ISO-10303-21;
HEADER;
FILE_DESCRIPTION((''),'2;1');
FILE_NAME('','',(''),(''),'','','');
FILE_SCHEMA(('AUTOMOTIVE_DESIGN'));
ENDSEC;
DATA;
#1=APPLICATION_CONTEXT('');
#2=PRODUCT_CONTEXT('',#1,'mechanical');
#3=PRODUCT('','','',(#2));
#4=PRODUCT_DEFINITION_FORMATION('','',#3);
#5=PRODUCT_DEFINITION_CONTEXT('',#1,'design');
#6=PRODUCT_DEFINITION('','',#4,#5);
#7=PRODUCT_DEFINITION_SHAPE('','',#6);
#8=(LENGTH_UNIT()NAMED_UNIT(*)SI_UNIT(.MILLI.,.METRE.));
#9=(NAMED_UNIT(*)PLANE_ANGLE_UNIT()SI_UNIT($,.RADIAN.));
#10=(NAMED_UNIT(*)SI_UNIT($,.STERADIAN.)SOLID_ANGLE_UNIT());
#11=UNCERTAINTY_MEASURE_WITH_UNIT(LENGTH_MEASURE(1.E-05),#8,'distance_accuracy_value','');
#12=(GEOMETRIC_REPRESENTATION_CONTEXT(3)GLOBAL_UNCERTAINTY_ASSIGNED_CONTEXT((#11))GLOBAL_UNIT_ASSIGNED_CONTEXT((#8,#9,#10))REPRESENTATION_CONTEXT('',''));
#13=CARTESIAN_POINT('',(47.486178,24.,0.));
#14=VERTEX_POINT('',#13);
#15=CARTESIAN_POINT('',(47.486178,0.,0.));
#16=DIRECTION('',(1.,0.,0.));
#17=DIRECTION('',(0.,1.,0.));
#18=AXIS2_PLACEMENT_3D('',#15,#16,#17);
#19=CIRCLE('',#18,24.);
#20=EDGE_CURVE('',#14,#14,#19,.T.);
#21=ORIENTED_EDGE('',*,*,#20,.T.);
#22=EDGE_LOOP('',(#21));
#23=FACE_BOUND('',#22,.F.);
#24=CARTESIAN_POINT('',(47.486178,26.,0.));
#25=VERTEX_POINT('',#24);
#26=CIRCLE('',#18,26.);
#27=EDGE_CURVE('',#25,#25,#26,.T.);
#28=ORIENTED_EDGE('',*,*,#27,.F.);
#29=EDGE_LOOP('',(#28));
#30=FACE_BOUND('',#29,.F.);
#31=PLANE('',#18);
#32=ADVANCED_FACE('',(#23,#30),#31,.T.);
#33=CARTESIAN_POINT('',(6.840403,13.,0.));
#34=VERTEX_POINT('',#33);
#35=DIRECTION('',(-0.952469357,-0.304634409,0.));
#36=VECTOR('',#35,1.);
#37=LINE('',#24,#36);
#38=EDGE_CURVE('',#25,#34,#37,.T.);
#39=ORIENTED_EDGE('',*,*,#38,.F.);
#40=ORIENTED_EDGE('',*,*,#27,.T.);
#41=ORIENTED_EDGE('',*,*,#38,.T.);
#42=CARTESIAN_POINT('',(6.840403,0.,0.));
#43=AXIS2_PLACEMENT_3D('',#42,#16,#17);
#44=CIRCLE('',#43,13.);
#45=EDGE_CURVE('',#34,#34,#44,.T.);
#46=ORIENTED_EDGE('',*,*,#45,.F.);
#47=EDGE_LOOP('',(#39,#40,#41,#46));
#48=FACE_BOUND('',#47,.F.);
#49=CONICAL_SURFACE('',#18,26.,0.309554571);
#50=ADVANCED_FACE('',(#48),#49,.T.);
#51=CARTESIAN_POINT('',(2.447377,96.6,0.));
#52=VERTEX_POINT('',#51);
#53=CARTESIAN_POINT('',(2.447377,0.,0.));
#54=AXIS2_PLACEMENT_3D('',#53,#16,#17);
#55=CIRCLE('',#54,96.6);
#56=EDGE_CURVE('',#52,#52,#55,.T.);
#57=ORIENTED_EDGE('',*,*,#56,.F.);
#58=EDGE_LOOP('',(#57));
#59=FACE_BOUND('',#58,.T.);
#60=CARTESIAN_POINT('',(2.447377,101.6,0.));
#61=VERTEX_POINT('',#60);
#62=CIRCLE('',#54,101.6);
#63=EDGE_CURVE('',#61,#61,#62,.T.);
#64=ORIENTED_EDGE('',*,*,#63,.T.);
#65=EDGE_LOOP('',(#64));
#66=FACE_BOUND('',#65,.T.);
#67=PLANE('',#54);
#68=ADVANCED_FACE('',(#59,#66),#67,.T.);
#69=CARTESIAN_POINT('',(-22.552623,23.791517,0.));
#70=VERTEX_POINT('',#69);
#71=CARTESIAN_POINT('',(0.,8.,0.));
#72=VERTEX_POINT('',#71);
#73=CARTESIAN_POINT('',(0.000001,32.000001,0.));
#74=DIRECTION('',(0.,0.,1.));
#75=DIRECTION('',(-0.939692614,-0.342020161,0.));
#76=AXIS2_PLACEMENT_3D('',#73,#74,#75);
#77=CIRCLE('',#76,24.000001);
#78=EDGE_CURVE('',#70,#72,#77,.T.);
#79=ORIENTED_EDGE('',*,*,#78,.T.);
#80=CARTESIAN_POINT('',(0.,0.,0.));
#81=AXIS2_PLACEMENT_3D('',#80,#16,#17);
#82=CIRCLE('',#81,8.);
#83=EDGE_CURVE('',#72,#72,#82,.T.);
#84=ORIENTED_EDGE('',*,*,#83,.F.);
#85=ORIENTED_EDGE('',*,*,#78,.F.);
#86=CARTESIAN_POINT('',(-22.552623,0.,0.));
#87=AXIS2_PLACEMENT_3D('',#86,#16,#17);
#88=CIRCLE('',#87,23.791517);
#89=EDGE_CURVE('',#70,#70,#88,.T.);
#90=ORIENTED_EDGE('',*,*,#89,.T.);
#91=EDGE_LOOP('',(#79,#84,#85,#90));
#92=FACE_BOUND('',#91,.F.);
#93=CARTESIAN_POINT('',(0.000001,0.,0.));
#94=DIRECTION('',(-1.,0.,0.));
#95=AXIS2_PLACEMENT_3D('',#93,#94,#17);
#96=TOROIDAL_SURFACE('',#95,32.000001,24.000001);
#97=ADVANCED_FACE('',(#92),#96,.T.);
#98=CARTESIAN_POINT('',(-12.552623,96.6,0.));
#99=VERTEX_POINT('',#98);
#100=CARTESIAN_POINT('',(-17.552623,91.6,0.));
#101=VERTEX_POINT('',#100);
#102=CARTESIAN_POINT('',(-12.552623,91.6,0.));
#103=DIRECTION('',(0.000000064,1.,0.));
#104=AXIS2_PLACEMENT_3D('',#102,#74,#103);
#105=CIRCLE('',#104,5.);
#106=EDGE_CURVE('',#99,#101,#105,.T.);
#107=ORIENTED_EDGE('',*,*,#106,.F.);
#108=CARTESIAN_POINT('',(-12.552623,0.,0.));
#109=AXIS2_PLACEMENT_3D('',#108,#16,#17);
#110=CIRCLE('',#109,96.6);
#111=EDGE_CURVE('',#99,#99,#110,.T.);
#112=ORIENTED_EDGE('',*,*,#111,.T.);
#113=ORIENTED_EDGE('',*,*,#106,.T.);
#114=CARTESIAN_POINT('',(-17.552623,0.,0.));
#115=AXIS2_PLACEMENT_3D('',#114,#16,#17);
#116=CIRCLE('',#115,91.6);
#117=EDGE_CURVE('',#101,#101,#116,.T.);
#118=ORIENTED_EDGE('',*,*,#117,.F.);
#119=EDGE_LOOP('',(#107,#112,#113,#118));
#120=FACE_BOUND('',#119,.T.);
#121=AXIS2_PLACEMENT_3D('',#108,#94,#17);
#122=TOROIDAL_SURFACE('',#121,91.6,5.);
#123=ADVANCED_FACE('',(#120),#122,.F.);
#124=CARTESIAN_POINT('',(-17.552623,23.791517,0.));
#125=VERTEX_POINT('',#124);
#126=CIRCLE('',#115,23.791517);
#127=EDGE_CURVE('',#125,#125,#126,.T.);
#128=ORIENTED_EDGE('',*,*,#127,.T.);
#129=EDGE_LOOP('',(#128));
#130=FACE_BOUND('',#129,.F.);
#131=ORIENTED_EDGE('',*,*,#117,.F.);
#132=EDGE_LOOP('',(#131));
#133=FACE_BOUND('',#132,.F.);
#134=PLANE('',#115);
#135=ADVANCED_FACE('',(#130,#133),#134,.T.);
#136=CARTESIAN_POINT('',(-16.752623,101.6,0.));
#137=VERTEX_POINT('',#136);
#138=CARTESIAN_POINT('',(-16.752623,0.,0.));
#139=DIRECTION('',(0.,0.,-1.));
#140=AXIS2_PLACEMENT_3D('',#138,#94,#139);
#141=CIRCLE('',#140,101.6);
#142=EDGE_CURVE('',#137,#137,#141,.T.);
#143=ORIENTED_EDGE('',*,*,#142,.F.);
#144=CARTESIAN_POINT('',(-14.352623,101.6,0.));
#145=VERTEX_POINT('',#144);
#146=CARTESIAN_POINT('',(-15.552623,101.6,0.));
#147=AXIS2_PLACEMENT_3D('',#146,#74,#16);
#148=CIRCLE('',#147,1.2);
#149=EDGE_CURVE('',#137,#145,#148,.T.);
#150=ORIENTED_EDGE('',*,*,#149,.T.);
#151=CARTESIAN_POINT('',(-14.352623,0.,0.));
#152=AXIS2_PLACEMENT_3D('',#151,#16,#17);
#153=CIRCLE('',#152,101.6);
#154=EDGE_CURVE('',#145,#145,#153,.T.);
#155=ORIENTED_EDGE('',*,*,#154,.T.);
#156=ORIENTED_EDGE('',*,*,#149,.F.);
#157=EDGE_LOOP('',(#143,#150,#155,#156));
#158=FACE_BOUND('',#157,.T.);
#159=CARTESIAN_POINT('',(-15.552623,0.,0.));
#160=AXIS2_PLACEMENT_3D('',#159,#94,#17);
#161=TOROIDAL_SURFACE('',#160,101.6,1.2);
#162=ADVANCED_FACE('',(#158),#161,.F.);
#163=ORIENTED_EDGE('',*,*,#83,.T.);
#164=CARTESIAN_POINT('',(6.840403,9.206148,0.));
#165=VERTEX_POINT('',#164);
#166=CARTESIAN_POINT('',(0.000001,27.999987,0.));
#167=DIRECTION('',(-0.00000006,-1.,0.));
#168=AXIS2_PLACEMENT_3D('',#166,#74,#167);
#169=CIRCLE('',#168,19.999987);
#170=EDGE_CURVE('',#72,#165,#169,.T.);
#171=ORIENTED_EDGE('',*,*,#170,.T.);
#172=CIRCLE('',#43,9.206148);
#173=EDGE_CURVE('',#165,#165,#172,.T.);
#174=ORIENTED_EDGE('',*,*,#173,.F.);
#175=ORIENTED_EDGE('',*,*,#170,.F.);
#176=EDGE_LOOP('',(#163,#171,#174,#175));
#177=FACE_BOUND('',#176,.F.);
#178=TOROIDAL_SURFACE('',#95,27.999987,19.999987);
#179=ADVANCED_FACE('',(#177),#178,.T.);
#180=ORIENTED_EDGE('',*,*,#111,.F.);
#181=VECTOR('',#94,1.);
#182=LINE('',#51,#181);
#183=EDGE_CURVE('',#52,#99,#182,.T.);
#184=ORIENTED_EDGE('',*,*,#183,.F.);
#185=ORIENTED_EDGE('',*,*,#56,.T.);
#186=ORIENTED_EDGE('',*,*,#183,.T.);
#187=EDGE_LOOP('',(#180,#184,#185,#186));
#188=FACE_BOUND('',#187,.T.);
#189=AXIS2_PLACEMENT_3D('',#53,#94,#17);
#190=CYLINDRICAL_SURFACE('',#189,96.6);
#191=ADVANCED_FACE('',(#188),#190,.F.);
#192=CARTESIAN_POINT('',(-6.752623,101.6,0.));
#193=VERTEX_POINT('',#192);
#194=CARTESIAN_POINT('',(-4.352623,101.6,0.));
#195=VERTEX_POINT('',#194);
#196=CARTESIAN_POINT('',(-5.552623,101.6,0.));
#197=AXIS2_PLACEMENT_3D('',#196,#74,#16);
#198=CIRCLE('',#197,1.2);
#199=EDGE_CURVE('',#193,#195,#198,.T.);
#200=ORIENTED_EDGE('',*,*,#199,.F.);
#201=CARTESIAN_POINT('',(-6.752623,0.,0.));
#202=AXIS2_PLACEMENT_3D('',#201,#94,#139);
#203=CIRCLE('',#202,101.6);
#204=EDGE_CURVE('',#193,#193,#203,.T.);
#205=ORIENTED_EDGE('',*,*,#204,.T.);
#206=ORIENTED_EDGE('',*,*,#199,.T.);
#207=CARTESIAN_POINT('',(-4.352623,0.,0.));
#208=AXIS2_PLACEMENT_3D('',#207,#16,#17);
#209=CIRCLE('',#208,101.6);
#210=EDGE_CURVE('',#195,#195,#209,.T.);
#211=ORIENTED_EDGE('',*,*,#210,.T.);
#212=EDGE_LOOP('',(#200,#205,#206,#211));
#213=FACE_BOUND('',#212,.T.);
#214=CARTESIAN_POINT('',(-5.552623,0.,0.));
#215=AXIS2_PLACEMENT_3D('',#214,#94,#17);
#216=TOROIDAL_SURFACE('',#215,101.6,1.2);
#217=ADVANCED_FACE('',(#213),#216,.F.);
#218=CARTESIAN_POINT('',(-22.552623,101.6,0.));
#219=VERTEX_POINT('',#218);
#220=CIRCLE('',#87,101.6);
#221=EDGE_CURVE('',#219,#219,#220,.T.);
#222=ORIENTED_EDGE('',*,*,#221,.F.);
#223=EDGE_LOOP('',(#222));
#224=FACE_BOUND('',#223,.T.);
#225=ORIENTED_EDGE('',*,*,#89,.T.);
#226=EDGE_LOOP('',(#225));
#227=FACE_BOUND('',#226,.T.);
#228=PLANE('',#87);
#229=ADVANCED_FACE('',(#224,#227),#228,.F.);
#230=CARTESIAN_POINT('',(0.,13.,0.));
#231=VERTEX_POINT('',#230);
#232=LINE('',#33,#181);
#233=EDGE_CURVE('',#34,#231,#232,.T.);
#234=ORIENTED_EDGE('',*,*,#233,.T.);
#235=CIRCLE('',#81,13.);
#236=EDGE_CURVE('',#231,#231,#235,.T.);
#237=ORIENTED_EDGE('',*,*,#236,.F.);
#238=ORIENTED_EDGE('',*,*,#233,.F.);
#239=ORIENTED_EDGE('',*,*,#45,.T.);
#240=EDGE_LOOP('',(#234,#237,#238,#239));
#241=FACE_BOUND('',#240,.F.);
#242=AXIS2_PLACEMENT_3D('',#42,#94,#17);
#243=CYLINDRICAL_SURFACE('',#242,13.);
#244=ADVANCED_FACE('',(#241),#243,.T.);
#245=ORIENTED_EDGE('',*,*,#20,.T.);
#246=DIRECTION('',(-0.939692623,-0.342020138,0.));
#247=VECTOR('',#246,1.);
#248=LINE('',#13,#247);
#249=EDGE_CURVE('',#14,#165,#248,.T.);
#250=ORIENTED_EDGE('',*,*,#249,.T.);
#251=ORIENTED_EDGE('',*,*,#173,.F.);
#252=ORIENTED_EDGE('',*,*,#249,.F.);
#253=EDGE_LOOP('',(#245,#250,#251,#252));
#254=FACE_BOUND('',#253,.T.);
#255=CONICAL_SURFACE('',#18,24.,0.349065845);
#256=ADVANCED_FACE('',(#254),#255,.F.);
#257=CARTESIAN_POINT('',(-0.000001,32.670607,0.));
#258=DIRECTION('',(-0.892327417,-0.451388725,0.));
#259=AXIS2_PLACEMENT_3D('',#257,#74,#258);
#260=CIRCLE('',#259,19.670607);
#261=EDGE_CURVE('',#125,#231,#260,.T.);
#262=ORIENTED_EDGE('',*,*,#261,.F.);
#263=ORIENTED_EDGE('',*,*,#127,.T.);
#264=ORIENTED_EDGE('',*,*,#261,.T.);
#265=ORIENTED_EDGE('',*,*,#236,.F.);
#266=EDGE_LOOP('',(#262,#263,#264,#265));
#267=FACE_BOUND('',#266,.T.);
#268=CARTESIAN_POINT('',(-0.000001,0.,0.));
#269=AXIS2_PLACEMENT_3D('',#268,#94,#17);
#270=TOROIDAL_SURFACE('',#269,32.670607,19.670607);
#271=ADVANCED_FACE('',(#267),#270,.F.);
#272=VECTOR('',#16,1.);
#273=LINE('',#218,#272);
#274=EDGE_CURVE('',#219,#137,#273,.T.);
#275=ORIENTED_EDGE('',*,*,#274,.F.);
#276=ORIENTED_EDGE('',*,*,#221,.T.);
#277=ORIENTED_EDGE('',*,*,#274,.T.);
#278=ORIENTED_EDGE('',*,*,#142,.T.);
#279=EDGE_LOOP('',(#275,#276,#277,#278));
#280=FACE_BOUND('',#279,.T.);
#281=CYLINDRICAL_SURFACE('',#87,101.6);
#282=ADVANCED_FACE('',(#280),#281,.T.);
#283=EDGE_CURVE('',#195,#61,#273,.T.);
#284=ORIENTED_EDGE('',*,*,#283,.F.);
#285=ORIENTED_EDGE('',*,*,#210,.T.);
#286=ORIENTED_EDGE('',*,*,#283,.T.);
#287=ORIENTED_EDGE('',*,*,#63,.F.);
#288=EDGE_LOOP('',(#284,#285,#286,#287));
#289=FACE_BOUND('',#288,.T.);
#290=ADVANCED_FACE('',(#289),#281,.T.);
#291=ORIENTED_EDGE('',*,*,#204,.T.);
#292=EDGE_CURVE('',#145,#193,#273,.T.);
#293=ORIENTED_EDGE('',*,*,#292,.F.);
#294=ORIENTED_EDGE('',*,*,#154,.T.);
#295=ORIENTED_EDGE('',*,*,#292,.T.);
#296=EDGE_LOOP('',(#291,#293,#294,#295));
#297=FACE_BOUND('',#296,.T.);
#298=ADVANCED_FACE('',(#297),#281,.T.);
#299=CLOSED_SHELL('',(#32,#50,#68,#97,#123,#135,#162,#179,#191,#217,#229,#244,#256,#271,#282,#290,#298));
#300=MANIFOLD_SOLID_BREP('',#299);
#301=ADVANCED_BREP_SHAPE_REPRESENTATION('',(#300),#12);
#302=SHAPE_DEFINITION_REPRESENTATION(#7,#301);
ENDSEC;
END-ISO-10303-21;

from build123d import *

# Parameters (mm, degrees)
SKETCH_R = 1.2


with BuildPart() as part:
    # Sketch001 → Revolution (revolve)
    with BuildSketch(Plane.XY):
        with BuildLine():
            Line((47.486178, 24), (6.840403, 9.206148))
            ThreePointArc((0, 8), (3.472964, 8.303845), (6.840403, 9.206148))
            ThreePointArc((-22.552623, 23.791517), (-13.765834, 12.340351), (0, 8))
            Line((-22.552623, 23.791517), (-22.552623, 101.6))
            Line((-22.552623, 101.6), (2.447377, 101.6))
            Line((2.447377, 101.6), (2.447377, 96.6))
            Line((2.447377, 96.6), (-12.552623, 96.6))
            ThreePointArc((-12.552623, 96.6), (-16.088157, 95.135534), (-17.552623, 91.6))
            Line((-17.552623, 23.791517), (-17.552623, 91.6))
            ThreePointArc((-17.552623, 23.791517), (-10.302323, 15.91367), (0, 13))
            Line((6.840403, 13), (0, 13))
            Line((47.486178, 26), (6.840403, 13))
            Line((47.486178, 24), (47.486178, 26))
        make_face()
    revolve(axis=Axis((0, 0, 0), (1, 0, 0)))

    # Sketch → Groove (revolve, cut)
    with BuildSketch(Plane.XY):
        with Locations((-15.552623, 101.6)):
            Circle(SKETCH_R)
        with Locations((-5.552623, 101.6)):
            Circle(SKETCH_R)
    revolve(axis=Axis((0, 0, 0), (1, 0, 0)), mode=Mode.SUBTRACT)


solid = part.part
